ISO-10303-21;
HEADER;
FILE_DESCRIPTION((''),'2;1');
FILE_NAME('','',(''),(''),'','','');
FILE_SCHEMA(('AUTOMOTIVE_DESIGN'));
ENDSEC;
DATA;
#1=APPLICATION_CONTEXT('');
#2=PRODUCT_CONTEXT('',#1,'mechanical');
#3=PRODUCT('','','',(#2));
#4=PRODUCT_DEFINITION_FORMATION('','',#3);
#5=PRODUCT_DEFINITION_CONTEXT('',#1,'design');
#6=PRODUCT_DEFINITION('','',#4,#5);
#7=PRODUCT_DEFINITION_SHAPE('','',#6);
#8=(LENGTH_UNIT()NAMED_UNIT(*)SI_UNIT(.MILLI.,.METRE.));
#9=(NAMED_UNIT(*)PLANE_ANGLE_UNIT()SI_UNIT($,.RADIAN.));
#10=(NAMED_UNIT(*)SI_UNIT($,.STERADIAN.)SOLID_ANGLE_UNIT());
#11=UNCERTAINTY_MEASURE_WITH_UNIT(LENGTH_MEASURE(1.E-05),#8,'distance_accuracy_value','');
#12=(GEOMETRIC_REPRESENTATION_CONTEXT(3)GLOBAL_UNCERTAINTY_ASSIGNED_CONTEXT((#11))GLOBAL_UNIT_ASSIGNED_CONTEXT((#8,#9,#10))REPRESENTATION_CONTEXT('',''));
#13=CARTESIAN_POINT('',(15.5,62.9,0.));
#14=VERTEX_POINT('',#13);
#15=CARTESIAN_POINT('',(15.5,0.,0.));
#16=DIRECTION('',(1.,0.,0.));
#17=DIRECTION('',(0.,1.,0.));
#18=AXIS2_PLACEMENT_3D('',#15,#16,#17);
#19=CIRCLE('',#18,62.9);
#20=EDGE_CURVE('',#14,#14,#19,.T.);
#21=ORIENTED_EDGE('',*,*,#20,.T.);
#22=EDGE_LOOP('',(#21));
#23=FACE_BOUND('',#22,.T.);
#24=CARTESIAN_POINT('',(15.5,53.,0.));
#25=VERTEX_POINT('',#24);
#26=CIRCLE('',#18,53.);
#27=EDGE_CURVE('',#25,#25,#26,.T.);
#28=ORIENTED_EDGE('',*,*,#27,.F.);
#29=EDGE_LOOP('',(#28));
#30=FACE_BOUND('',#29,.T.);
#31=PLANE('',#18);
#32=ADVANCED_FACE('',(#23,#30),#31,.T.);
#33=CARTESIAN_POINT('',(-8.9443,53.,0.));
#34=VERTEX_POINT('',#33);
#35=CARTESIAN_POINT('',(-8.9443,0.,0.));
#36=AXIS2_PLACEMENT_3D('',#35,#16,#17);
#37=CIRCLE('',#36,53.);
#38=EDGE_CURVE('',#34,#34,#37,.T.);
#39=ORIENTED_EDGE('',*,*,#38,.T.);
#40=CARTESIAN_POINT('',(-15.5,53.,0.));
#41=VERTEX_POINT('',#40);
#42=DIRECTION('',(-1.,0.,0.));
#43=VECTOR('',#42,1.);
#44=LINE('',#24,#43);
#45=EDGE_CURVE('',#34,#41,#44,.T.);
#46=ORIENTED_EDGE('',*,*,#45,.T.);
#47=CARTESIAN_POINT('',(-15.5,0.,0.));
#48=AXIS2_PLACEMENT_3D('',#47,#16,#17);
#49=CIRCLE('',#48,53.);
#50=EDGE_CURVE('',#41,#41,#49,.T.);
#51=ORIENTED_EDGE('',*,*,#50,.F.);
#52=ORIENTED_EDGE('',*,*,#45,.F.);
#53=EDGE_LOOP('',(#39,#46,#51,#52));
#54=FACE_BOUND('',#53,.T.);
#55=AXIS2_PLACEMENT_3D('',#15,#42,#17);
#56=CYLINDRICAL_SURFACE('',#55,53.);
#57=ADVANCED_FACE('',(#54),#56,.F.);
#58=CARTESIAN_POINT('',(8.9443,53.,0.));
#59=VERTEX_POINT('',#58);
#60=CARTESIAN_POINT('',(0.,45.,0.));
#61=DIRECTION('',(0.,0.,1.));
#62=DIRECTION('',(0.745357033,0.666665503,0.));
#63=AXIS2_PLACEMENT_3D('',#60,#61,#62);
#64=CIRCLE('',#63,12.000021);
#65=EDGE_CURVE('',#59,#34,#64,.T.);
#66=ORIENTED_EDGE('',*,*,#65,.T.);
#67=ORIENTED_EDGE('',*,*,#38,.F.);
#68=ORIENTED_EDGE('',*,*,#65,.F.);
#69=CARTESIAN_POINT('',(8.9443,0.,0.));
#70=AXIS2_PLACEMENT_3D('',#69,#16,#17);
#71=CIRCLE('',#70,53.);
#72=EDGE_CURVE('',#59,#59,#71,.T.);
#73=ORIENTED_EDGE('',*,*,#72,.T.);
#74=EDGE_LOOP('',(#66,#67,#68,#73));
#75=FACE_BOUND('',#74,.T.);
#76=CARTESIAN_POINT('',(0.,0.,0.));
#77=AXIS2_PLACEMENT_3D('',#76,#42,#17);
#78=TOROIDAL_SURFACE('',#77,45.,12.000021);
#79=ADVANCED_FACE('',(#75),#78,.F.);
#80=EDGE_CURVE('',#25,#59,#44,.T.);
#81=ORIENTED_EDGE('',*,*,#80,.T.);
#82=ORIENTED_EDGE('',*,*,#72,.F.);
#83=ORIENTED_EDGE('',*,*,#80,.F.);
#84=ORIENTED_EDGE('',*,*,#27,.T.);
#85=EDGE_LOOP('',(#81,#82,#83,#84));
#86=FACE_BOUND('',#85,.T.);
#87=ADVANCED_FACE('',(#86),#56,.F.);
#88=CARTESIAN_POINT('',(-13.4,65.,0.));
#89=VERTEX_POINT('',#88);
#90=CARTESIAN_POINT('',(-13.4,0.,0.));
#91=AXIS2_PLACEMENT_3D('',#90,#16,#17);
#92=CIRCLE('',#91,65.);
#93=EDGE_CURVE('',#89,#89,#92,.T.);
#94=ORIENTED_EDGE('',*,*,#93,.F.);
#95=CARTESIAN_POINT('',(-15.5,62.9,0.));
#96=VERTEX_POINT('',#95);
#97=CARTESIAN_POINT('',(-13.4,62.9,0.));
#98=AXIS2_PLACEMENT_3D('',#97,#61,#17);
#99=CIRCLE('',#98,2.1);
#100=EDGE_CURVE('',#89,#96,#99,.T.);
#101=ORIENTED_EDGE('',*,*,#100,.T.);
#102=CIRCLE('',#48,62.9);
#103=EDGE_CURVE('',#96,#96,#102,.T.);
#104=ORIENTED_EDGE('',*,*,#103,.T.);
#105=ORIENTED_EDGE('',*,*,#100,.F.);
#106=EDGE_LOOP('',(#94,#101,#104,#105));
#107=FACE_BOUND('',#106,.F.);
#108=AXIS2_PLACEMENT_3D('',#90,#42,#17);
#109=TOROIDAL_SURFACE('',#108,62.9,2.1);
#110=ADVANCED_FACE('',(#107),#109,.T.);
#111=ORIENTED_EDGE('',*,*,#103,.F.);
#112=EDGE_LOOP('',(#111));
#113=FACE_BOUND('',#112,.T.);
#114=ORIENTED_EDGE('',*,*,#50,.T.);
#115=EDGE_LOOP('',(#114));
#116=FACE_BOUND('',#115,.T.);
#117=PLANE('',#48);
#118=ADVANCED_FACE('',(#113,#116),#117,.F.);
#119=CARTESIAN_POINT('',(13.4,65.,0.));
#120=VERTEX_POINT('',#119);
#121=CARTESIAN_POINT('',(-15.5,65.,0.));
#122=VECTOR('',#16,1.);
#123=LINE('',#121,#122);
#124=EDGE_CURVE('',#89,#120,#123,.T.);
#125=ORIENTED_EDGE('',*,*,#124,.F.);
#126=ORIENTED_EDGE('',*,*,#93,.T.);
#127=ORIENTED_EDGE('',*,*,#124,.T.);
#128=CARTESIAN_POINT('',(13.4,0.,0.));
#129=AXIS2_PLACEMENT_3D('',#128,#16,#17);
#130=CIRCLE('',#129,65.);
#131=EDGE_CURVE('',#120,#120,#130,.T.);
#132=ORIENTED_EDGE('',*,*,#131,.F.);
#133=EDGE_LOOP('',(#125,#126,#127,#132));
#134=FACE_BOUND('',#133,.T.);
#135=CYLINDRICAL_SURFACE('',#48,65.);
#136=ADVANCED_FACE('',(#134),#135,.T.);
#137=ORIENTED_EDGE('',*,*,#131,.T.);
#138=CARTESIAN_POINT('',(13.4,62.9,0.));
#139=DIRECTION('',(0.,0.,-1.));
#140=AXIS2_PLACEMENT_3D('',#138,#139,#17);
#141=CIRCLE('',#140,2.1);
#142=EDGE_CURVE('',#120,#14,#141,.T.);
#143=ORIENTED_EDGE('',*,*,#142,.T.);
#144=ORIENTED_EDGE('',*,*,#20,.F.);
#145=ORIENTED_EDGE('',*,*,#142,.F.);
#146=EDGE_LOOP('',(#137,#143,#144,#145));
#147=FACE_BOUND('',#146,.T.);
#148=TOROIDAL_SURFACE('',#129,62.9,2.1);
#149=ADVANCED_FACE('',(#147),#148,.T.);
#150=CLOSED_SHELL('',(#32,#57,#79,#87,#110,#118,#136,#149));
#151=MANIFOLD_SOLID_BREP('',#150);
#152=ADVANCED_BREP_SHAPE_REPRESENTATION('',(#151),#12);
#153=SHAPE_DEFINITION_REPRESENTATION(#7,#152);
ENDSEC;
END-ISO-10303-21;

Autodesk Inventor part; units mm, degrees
ref_plane "YZ Plane" through (0, 0, 0) normal (1, 0, 0) x (0, 1, 0)
ref_plane "XZ Plane" through (0, 0, 0) normal (0, 1, 0) x (-1, 0, 0)
ref_plane "XY Plane" through (0, 0, 0) normal (0, 0, 1) x (1, 0, 0)
sketch "Sketch1" plane through (0, 0, 0) normal (0, 0, 1) x (1, 0, 0)
  line L0 (-15.5, 65) -> (15.5, 65)
  line L1 (15.5, 65) -> (15.5, 53)
  line L2 (15.5, 53) -> (-15.5, 53)
  line L3 (-15.5, 53) -> (-15.5, 65)
  arc A0 (8.9443, 53) -> (-8.9443, 53) centre (0, 45) ccw
  line L4 (-21.7, 0) -> (21.7, 0) projected
  point P0 (0, 0)
  dimension "d0" = 31
  dimension "d1" = 12
  dimension "d2" = 53
  dimension "d3" = 15.5
  dimension "d4" = 8
  dimension "d5" = 12
revolve "Revolution1" add sketch "Sketch1" angle 360 about axis through (-10, 0, 0) along (1, 0, 0) contours L0 L1 L2 A0 L3
fillet "Fillet1" radius 2.1 2 edges at (15.5, -65, 0) (-15.5, -65, 0)
properties part number "Outer Ring" material "Lead"
